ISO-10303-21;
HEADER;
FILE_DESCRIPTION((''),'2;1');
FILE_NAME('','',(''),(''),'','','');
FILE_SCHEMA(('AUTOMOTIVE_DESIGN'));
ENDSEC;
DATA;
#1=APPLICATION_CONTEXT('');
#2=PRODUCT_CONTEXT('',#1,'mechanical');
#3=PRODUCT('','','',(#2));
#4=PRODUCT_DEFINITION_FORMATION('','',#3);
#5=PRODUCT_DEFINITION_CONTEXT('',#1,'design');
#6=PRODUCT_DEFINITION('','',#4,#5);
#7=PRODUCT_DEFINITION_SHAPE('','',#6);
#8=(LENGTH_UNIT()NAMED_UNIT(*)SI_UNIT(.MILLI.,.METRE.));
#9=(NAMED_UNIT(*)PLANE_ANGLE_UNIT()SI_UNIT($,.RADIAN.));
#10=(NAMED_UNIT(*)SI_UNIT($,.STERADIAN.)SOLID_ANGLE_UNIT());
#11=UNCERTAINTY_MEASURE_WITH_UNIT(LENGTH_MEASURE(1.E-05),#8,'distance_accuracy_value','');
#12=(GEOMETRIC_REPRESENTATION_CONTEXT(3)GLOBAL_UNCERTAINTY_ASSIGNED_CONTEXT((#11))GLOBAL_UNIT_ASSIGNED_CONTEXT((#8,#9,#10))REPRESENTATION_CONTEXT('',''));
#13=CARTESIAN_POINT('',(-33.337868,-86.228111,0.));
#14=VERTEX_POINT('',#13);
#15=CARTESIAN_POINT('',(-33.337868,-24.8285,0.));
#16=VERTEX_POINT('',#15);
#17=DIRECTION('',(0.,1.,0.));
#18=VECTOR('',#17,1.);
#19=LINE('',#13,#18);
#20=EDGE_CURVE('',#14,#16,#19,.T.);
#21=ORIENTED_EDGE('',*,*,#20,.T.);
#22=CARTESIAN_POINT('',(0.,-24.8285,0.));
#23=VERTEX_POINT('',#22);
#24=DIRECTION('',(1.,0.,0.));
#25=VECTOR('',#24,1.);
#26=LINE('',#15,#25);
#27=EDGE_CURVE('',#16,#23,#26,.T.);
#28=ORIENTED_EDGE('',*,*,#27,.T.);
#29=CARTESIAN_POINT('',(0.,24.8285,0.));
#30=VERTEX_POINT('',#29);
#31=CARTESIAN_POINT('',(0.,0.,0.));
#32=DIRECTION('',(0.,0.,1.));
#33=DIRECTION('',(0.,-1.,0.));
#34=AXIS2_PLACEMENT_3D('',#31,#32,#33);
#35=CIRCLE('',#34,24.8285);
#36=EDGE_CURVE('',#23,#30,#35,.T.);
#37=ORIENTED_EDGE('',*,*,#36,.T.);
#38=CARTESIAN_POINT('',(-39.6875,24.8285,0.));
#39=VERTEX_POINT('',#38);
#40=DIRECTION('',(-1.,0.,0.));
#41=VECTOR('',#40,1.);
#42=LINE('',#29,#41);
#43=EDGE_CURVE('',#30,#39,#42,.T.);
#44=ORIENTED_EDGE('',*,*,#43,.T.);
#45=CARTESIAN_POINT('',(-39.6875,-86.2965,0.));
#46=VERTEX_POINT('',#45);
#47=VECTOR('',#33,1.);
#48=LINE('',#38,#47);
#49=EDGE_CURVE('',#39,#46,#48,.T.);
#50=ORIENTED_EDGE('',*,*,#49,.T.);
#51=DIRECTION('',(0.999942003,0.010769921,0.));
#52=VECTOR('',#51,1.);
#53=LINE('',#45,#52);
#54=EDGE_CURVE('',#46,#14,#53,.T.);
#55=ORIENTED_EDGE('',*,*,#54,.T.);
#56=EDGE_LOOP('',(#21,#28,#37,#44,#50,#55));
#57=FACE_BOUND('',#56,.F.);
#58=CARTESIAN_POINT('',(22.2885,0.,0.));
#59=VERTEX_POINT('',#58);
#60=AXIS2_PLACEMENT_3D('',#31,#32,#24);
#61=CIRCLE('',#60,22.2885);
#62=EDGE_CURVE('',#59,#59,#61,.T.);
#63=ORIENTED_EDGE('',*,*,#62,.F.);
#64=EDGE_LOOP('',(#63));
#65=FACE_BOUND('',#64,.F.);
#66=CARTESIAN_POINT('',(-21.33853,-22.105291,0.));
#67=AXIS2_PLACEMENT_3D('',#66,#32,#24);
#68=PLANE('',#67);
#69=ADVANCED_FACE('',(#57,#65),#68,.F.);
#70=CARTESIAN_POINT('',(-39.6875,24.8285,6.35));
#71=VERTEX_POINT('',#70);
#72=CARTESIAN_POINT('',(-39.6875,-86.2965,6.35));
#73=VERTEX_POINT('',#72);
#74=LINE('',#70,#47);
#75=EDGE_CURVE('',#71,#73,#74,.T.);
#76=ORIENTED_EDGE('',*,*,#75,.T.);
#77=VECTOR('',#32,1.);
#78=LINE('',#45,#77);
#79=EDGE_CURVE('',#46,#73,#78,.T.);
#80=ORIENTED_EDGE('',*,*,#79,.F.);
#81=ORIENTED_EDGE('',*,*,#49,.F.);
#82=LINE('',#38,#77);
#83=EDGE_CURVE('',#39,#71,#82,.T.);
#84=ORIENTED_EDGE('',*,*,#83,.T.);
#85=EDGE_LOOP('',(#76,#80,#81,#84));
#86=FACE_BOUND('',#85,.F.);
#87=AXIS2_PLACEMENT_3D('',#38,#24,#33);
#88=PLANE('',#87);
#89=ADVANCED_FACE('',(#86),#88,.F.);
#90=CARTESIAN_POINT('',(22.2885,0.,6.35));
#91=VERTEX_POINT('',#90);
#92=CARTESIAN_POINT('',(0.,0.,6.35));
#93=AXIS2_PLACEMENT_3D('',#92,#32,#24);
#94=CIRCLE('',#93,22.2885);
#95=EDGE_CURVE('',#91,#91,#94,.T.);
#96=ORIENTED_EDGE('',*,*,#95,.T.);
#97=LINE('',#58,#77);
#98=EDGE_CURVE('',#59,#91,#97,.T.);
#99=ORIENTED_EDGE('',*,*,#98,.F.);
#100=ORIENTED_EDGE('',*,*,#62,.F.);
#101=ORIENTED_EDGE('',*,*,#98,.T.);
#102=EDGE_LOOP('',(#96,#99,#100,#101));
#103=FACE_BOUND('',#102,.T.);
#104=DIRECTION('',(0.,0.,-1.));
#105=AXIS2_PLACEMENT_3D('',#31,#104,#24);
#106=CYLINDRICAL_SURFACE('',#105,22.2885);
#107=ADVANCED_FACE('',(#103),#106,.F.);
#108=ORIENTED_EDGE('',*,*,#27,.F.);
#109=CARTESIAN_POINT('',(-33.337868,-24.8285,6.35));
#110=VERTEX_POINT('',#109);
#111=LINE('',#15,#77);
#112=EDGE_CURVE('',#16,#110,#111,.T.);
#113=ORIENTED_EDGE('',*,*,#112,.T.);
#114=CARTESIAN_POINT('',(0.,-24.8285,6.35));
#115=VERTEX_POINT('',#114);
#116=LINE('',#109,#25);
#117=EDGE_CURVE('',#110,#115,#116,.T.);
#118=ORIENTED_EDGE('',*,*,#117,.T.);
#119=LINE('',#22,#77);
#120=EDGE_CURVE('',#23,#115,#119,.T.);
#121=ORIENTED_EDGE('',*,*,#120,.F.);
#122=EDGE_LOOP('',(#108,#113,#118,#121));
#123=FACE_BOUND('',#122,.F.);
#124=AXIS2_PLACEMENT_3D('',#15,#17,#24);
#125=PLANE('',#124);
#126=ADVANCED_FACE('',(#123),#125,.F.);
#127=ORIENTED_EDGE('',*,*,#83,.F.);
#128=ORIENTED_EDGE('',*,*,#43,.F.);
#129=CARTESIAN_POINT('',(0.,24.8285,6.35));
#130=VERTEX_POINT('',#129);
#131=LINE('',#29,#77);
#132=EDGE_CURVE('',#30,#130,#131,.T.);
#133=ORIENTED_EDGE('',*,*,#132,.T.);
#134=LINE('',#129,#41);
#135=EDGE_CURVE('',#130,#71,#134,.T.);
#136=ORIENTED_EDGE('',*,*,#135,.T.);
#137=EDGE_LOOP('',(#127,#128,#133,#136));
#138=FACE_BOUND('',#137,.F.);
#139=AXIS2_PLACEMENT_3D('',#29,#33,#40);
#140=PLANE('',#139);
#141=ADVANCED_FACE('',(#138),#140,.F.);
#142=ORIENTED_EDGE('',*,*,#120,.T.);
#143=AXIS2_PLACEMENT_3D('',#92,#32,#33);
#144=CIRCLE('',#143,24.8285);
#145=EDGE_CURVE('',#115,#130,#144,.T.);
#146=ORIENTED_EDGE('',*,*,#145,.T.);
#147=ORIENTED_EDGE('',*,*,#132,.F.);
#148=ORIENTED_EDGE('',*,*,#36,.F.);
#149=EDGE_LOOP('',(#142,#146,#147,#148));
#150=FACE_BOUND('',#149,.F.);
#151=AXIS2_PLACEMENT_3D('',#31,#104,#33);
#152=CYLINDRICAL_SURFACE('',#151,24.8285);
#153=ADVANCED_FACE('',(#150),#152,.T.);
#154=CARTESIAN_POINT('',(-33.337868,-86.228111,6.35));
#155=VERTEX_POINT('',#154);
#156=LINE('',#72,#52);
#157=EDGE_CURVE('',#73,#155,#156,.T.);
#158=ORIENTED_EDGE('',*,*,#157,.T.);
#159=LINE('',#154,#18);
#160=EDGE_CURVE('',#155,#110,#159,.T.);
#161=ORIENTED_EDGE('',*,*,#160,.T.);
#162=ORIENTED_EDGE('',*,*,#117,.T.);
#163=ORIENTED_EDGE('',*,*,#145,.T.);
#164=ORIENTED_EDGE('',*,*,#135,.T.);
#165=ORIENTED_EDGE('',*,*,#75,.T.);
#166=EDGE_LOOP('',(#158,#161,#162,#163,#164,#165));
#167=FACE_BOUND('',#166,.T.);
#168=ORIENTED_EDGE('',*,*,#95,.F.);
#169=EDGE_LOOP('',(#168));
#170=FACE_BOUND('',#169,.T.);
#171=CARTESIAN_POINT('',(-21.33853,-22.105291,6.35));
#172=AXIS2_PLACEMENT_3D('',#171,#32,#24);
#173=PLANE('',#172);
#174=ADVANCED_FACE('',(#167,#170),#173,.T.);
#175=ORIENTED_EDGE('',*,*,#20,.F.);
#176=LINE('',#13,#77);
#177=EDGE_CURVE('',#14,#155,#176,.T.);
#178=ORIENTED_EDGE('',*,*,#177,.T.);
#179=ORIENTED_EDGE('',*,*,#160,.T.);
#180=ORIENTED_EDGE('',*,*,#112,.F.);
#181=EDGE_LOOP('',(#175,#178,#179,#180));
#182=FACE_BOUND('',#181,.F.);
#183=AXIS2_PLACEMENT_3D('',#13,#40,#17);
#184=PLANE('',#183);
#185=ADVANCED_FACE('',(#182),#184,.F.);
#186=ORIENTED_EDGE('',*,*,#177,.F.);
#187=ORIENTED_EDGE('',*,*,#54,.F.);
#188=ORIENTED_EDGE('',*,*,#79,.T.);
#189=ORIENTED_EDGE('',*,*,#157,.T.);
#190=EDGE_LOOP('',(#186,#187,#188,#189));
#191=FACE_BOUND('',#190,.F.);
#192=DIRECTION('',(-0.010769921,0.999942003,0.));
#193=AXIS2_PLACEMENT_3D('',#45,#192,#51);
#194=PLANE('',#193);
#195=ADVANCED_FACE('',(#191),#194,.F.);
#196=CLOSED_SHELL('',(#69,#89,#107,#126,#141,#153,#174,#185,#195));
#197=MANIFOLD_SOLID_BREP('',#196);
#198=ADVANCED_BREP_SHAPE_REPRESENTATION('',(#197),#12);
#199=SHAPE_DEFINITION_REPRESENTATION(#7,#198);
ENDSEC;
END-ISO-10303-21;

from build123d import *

# Parameters (mm, degrees)
F0_R     = 22.2885
F1_DEPTH = 6.35


with BuildPart() as f1:
    # F0 (on Top) → F1 (new body)
    with BuildSketch(Plane.XY):
        with BuildLine():
            Line((-33.337868, -24.8285), (0, -24.8285))
            ThreePointArc((0, -24.8285), (24.8285, 0), (0, 24.8285))
            Line((0, 24.8285), (-39.6875, 24.8285))
            Line((-39.6875, 24.8285), (-39.6875, -86.2965))
            Line((-39.6875, -86.2965), (-33.337868, -86.228111))
            Line((-33.337868, -86.228111), (-33.337868, -24.8285))
        make_face()
        Circle(F0_R, mode=Mode.SUBTRACT)
    extrude(amount=F1_DEPTH)


solid = f1.part
